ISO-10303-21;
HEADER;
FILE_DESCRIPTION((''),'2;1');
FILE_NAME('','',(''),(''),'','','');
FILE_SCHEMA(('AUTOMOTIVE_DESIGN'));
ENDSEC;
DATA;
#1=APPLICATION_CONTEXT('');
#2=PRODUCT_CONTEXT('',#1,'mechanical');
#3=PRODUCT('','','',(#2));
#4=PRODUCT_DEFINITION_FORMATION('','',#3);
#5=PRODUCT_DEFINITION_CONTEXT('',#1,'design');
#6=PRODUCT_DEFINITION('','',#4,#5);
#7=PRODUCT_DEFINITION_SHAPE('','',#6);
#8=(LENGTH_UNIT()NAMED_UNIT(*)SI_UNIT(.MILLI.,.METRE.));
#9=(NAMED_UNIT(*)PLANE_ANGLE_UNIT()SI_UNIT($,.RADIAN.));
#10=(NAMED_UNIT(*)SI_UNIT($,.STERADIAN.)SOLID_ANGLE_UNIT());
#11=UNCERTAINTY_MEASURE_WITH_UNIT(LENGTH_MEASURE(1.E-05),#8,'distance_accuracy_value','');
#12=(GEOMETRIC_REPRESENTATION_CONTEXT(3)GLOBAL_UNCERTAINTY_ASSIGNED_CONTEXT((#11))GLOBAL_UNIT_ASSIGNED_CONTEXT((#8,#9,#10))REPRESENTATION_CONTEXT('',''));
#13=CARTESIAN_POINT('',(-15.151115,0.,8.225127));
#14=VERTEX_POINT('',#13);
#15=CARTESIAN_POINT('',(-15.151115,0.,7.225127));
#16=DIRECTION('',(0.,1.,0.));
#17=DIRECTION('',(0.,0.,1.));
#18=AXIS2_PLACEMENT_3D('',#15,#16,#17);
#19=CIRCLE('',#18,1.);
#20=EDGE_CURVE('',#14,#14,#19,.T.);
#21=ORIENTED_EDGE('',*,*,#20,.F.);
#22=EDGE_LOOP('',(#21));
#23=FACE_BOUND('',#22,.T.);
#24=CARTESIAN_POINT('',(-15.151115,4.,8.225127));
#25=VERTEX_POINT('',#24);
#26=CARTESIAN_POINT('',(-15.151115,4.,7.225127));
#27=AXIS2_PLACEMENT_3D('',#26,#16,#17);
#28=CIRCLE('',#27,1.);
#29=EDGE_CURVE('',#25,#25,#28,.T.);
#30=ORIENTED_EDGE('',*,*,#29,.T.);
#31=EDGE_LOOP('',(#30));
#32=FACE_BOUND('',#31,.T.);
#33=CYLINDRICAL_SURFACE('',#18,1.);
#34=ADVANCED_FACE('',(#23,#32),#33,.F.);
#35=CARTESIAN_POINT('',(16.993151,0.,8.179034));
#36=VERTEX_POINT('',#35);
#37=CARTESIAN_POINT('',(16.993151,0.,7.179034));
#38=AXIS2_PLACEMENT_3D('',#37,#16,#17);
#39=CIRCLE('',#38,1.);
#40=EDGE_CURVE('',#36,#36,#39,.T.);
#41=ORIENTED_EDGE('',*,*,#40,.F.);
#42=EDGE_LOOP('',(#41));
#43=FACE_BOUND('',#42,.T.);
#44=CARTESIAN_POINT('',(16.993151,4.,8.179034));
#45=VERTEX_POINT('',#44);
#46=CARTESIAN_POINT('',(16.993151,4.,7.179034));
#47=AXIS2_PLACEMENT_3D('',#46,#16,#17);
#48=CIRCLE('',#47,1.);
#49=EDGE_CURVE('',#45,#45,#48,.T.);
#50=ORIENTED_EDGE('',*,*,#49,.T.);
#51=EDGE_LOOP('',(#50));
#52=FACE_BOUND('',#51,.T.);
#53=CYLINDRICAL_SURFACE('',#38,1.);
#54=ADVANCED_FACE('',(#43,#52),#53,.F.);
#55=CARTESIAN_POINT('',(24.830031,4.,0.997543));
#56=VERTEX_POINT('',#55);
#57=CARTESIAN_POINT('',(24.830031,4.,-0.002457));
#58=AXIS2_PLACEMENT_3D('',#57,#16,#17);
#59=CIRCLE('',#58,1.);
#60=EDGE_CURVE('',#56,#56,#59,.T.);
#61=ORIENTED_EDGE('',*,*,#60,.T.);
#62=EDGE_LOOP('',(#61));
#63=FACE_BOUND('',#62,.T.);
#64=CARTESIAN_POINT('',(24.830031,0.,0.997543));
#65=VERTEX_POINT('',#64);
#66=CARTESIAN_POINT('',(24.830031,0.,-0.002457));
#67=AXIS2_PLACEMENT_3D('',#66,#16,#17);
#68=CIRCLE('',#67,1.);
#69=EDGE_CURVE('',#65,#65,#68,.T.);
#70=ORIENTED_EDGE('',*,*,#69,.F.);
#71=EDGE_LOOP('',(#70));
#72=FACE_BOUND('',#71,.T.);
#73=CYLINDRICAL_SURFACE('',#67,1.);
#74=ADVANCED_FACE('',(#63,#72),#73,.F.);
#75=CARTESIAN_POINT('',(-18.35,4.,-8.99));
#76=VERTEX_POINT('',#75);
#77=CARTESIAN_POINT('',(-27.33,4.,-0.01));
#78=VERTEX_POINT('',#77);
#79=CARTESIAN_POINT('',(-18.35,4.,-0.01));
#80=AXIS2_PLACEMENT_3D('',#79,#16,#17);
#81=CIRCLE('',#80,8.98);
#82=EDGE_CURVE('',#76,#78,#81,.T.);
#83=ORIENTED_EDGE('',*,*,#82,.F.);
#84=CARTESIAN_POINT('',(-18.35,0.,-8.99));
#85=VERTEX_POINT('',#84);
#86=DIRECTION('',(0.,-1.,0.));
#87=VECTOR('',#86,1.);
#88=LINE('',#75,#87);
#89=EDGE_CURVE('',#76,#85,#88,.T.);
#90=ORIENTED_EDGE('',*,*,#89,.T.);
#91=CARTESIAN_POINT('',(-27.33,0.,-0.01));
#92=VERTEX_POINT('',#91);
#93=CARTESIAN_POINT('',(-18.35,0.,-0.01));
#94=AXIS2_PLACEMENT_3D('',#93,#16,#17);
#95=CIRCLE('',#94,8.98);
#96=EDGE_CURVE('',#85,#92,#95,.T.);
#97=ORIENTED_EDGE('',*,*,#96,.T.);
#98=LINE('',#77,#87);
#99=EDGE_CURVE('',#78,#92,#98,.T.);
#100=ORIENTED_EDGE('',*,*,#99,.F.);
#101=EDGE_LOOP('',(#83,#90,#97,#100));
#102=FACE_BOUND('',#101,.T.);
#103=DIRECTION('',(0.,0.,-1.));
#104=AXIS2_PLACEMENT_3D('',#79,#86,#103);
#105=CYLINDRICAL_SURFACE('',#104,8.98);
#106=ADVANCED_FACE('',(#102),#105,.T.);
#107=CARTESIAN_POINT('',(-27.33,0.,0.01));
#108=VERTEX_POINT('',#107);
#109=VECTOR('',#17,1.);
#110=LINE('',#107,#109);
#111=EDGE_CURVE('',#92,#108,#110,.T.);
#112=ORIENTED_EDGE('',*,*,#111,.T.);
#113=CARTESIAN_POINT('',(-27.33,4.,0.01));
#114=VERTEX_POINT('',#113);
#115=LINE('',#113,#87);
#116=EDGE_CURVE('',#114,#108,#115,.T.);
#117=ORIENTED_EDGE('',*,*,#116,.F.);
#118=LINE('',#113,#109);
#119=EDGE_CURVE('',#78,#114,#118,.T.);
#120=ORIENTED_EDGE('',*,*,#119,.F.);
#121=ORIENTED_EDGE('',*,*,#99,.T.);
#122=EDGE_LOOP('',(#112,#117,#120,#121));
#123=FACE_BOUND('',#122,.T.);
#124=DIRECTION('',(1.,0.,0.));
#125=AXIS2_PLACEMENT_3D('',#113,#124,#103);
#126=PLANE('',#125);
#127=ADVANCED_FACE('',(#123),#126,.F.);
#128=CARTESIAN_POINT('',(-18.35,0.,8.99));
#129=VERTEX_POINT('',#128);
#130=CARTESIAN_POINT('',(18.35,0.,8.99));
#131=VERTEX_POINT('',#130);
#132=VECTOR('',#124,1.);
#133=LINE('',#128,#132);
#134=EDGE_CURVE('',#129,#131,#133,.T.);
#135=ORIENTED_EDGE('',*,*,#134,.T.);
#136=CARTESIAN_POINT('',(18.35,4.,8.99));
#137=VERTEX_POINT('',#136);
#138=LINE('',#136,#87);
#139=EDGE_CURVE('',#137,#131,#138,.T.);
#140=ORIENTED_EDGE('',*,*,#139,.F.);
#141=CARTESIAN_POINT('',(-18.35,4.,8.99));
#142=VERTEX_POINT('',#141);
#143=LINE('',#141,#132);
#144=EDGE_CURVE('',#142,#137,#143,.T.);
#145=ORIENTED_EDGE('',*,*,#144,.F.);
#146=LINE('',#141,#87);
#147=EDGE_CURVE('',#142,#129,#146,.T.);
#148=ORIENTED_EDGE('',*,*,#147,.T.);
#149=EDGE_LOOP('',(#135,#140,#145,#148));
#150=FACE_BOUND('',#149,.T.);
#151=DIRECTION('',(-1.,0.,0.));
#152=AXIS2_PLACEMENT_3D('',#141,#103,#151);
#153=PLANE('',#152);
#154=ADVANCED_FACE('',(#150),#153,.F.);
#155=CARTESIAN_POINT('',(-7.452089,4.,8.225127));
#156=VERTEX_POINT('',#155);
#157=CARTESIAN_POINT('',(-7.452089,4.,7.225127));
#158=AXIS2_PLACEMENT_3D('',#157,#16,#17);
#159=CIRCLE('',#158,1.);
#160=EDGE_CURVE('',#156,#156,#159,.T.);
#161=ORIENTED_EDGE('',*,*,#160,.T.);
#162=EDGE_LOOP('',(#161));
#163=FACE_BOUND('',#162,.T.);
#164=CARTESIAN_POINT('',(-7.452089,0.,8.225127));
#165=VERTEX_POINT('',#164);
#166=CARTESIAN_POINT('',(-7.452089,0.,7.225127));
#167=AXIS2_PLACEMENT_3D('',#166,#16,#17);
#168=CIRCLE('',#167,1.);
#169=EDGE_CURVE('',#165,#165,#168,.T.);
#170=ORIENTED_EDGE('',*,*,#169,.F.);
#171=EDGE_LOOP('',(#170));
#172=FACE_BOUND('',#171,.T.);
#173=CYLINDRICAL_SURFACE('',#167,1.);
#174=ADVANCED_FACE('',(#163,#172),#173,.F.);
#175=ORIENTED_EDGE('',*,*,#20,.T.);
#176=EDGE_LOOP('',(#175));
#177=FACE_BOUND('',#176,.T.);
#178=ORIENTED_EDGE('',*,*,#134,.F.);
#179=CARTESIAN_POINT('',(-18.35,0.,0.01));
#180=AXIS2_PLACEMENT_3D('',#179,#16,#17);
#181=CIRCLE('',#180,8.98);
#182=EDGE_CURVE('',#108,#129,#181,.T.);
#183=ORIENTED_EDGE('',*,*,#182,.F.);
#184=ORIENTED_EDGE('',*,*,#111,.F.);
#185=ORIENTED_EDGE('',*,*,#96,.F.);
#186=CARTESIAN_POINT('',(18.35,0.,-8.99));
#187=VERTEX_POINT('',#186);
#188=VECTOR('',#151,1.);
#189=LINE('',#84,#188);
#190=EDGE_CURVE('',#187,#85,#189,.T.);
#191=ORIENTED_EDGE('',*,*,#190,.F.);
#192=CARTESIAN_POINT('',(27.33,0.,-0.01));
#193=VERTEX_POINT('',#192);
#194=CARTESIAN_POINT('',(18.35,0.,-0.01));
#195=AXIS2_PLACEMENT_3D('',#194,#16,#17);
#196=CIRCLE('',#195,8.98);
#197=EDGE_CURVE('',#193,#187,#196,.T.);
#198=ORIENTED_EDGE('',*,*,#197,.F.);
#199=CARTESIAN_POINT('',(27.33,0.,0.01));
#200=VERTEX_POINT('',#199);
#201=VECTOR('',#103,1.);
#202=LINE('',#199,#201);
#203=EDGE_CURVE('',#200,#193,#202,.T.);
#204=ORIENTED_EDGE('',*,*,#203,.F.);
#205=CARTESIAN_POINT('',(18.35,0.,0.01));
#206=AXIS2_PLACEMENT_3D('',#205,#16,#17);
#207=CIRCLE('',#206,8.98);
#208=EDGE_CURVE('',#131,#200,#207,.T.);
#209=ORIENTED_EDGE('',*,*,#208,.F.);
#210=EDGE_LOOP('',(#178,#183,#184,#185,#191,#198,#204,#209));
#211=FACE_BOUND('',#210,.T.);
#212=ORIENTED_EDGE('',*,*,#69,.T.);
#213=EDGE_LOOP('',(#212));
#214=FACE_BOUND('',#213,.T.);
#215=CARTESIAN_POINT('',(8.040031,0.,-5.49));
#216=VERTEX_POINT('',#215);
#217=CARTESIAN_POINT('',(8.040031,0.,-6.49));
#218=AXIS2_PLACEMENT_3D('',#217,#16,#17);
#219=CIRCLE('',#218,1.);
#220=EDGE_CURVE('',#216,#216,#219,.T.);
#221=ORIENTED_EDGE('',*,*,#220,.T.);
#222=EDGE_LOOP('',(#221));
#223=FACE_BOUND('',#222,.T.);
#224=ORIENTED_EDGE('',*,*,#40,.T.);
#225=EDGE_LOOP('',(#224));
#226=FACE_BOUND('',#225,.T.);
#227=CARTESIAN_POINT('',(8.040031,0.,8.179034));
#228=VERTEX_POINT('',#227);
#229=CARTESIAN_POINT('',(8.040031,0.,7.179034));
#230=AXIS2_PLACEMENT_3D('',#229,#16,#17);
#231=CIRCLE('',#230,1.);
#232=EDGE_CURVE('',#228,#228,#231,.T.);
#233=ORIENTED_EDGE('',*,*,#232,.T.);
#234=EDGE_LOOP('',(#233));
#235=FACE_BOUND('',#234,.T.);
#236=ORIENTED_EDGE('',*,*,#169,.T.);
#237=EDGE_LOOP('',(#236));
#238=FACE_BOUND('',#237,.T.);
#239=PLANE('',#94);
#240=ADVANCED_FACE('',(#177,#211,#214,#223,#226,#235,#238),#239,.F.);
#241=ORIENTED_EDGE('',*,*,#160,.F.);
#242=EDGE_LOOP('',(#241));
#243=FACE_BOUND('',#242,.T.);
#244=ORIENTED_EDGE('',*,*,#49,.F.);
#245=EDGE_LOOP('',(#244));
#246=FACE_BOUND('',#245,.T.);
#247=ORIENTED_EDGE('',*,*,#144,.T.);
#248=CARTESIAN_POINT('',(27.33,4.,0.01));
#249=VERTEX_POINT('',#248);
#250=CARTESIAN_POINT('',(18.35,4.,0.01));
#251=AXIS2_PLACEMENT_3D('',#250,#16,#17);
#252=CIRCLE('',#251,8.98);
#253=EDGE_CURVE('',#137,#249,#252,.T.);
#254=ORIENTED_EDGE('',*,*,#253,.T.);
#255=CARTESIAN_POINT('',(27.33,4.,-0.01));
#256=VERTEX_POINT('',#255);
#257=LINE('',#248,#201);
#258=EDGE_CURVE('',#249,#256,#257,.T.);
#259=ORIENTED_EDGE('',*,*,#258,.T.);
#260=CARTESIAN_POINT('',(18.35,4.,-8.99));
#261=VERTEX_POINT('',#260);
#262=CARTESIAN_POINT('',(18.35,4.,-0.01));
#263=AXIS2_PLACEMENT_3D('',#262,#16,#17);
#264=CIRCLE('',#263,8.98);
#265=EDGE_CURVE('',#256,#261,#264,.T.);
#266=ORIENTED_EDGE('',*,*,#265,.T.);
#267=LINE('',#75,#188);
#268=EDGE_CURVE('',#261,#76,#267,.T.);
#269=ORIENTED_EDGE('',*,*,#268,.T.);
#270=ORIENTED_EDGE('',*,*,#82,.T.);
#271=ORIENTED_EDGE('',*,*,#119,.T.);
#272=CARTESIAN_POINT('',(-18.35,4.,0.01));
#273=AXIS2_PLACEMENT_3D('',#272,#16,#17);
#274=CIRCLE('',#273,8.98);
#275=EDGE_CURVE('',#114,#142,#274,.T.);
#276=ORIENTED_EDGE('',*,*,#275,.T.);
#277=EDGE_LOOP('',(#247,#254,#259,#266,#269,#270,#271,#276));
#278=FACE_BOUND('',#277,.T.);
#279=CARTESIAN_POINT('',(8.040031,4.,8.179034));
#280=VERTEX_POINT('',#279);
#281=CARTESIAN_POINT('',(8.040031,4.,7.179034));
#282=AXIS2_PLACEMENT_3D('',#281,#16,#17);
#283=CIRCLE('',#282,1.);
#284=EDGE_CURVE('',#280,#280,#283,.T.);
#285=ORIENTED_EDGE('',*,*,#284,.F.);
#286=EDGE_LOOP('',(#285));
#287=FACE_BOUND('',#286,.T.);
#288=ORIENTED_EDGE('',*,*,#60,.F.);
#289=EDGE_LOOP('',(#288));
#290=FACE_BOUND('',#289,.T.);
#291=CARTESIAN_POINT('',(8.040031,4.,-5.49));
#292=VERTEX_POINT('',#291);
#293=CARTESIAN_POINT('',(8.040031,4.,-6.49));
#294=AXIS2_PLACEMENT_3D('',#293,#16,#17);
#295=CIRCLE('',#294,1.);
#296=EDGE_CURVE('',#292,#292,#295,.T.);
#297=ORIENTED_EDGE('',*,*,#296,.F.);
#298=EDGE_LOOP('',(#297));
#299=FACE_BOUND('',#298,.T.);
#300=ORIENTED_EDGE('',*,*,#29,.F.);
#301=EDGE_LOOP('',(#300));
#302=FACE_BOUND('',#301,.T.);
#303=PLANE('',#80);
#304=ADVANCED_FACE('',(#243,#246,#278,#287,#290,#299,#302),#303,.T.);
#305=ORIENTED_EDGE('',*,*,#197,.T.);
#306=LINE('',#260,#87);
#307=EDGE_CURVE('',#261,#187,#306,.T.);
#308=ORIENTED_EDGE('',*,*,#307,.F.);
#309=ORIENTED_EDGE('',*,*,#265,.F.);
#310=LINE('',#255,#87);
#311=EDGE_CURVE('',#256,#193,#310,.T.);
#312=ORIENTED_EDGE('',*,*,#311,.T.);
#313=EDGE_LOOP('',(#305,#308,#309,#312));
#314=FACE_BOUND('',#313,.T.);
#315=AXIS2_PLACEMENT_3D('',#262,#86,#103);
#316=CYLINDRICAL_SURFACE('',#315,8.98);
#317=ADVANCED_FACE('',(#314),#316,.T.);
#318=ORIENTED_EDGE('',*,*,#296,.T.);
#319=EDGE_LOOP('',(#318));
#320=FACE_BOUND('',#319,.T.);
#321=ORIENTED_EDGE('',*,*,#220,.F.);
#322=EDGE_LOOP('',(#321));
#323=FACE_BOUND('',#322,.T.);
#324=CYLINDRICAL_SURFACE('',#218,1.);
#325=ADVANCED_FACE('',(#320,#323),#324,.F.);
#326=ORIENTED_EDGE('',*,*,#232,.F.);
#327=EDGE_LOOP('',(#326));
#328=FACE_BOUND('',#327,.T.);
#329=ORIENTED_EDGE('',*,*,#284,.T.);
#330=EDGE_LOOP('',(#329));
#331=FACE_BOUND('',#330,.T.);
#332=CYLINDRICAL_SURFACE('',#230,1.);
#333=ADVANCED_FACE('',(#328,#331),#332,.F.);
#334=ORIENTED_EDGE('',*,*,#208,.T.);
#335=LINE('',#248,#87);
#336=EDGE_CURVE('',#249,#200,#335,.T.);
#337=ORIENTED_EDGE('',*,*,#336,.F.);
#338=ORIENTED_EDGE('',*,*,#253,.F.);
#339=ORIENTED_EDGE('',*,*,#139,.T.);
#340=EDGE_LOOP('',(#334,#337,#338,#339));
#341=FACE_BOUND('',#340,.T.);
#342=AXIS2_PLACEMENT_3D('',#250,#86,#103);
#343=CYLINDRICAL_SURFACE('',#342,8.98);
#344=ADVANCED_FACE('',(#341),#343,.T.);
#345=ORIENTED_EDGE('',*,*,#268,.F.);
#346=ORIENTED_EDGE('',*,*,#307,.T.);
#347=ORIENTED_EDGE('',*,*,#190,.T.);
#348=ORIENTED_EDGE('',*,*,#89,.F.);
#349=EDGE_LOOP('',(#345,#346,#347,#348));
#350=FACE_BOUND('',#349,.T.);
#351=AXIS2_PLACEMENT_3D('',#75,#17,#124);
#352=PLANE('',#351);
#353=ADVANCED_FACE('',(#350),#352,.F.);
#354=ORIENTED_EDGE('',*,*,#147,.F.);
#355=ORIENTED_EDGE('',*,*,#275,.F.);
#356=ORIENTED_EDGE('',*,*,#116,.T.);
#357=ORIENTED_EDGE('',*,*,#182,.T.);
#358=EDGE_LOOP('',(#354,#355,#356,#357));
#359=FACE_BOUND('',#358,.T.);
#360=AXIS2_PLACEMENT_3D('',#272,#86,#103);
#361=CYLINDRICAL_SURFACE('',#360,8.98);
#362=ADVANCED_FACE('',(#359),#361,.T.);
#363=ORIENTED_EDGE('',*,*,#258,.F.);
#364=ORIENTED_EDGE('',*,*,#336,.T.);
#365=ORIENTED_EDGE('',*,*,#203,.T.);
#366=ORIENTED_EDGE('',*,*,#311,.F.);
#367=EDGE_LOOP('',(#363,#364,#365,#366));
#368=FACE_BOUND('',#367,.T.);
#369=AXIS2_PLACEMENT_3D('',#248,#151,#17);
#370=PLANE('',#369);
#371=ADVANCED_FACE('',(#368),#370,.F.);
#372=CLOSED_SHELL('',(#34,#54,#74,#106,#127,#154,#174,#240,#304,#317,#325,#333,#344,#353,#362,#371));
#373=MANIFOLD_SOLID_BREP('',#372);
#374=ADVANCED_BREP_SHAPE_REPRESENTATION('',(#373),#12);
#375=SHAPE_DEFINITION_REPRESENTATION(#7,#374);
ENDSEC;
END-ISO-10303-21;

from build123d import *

# Parameters (mm, degrees)
EXTRUDE_1_DEPTH     = 4
SKETCH_2_R          = 1
CUT_EXTRUDE_1_DEPTH = 4


with BuildPart() as part:
    # Эскиз1 → Бобышка-Вытянуть1 (new body)
    with BuildSketch(Plane(origin=(0, 0, 0), x_dir=(1, 0, 0), z_dir=(0, 1, 0))):
        with BuildLine():
            Line((-18.35, -8.99), (18.35, -8.99))
            ThreePointArc((18.35, -8.99), (24.699818895, -6.359818895), (27.33, -0.01))
            Line((27.33, -0.01), (27.33, 0.01))
            ThreePointArc((27.33, 0.01), (24.699818895, 6.359818895), (18.35, 8.99))
            Line((18.35, 8.99), (-18.35, 8.99))
            ThreePointArc((-18.35, 8.99), (-24.699818895, 6.359818895), (-27.33, 0.01))
            Line((-27.33, 0.01), (-27.33, -0.01))
            ThreePointArc((-27.33, -0.01), (-24.699818895, -6.359818895), (-18.35, -8.99))
        make_face()
    extrude(amount=EXTRUDE_1_DEPTH)

    # Эскиз2 → Вырез-Вытянуть1 (cut)
    with BuildSketch(Plane(origin=(0, 4, 0), x_dir=(1, 0, 0), z_dir=(0, 1, 0))):
        with Locations(Location((24.830031036, 0.002457034, 0), (0, 0, 270))):
            Circle(SKETCH_2_R)
        with Locations(Location((8.040031036, 6.49, 0), (0, 0, 270))):
            Circle(SKETCH_2_R)
        with Locations(Location((16.993150744, -7.17903397, 0), (0, 0, 270))):
            Circle(SKETCH_2_R)
        with Locations(Location((8.040031036, -7.17903397, 0), (0, 0, 270))):
            Circle(SKETCH_2_R)
        with Locations(Location((-15.151115416, -7.225126503, 0), (0, 0, 270))):
            Circle(SKETCH_2_R)
        with Locations(Location((-7.452088862, -7.225126503, 0), (0, 0, 270))):
            Circle(SKETCH_2_R)
    extrude(amount=-CUT_EXTRUDE_1_DEPTH, mode=Mode.SUBTRACT)


solid = part.part
